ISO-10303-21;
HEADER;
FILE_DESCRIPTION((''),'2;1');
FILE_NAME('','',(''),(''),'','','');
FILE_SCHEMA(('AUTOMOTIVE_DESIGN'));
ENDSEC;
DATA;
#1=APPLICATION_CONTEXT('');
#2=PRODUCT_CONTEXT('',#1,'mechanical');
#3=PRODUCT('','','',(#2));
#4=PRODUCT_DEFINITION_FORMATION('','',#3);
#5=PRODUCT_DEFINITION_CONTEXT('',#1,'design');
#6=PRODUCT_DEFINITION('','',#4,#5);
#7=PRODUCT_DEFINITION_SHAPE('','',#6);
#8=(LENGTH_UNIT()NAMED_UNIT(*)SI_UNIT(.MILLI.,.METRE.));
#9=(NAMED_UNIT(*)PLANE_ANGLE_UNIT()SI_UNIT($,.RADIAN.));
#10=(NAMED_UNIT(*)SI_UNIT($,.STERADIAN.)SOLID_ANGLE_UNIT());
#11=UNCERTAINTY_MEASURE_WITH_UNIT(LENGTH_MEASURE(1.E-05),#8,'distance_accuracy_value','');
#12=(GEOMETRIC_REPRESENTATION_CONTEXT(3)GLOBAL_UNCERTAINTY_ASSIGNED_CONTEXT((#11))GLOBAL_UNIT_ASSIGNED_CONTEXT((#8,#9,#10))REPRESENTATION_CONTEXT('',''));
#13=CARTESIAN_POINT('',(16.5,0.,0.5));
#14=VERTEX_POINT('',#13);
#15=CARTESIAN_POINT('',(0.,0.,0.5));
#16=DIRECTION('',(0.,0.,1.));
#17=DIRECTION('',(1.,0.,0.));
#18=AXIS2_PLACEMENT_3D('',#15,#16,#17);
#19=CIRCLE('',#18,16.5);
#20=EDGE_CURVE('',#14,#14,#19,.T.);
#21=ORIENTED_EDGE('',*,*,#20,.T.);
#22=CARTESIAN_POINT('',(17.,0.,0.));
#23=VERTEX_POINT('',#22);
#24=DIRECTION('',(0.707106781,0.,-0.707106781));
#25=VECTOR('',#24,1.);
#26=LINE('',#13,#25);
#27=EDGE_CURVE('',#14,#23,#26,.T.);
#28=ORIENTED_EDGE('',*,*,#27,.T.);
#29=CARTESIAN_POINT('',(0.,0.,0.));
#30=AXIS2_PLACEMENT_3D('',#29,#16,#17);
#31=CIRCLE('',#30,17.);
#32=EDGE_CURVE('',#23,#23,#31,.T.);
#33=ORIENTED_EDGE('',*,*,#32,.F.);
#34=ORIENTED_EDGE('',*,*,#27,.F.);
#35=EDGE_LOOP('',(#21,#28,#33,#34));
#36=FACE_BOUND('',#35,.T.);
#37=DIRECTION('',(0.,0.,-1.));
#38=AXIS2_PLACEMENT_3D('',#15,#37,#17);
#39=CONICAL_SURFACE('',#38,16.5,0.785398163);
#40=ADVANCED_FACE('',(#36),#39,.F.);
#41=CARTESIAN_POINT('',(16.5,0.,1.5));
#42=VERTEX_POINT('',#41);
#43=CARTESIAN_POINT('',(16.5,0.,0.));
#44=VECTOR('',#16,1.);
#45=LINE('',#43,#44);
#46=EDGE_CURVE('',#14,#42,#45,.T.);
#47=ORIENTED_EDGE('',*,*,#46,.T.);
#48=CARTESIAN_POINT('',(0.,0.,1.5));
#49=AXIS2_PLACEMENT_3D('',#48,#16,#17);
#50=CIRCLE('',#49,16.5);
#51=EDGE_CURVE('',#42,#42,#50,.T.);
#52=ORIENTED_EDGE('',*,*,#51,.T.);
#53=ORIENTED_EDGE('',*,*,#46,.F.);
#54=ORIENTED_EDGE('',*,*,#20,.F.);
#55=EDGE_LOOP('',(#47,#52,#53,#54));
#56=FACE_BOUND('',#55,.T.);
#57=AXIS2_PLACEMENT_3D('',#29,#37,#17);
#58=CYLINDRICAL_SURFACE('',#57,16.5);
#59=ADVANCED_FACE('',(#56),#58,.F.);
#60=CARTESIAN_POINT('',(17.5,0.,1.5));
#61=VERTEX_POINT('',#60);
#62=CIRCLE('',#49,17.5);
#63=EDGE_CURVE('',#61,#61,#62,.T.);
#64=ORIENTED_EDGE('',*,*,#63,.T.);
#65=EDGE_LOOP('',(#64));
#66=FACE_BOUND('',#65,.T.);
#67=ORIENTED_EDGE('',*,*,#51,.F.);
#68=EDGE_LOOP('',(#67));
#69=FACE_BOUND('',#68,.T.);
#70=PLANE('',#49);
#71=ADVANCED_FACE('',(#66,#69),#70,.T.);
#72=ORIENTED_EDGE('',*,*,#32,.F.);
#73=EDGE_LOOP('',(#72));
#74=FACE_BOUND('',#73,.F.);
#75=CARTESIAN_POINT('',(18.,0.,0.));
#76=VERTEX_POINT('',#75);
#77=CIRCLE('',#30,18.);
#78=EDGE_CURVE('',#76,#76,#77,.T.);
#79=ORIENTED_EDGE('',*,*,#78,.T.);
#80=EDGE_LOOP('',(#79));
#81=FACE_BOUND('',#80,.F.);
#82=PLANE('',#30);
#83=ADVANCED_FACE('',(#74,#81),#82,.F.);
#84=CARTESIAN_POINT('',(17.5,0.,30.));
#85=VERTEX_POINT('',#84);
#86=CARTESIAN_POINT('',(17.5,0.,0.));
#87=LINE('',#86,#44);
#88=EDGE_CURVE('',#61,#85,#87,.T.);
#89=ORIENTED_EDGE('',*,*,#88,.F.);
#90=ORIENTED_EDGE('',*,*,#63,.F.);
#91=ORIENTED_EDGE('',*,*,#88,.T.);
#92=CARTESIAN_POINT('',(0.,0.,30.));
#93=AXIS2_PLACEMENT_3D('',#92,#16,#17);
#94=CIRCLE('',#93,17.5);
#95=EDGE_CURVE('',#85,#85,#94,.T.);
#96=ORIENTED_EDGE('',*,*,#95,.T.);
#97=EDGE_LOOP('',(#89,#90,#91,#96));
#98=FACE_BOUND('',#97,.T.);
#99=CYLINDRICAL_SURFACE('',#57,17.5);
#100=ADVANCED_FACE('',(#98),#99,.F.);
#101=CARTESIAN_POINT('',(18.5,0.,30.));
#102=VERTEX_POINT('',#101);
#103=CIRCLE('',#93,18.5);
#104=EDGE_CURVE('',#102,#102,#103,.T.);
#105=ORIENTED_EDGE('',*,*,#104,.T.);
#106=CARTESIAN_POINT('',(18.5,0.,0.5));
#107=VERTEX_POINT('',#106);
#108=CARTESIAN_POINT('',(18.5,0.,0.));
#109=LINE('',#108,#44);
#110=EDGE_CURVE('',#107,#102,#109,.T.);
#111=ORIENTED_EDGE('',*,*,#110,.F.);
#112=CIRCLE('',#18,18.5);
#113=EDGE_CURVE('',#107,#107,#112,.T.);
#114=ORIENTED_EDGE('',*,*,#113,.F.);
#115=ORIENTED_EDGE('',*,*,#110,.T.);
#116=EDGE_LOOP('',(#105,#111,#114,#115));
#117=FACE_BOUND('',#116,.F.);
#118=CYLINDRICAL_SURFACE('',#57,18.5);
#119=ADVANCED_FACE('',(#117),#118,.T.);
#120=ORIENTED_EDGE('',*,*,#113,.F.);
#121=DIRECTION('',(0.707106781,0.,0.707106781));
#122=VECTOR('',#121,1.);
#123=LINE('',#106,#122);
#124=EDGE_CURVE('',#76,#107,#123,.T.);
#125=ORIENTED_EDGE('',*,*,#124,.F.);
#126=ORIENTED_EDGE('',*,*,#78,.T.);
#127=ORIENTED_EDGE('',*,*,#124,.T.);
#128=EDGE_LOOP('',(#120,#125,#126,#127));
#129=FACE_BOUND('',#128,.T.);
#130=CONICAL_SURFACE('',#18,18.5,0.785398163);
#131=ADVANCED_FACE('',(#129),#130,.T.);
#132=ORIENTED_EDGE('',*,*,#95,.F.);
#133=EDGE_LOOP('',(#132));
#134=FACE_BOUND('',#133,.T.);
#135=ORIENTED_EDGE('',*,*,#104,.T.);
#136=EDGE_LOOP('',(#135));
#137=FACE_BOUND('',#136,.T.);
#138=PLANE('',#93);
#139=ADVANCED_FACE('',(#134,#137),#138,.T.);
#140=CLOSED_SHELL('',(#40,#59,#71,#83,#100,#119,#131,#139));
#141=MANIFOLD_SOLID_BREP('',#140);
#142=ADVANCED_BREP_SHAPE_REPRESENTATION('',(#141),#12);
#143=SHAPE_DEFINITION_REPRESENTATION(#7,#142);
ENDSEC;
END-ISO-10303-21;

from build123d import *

# Parameters (mm, degrees)
F0_R     = 18.5
F0_R_2   = 17.5
F1_DEPTH = 30
F0_R_3   = 16.5
F2_DEPTH = 1.5
F3_SIZE  = 0.5


with BuildPart() as f1:
    # F0 (on Top) → F1 (new body)
    with BuildSketch(Plane.XY):
        Circle(F0_R)
        Circle(F0_R_2, mode=Mode.SUBTRACT)
    extrude(amount=F1_DEPTH)

    # F0 (on Top) → F2 (join)
    with BuildSketch(Plane.XY):
        Circle(F0_R_2)
        Circle(F0_R_3, mode=Mode.SUBTRACT)
    extrude(amount=F2_DEPTH)

    # F3
    f3_edges = [f1.edges().sort_by_distance(p)[0] for p in [
        (-18.5, 0, 0),
        (-16.5, 0, 0),
    ]]
    chamfer(f3_edges, length=F3_SIZE)


solid = f1.part
